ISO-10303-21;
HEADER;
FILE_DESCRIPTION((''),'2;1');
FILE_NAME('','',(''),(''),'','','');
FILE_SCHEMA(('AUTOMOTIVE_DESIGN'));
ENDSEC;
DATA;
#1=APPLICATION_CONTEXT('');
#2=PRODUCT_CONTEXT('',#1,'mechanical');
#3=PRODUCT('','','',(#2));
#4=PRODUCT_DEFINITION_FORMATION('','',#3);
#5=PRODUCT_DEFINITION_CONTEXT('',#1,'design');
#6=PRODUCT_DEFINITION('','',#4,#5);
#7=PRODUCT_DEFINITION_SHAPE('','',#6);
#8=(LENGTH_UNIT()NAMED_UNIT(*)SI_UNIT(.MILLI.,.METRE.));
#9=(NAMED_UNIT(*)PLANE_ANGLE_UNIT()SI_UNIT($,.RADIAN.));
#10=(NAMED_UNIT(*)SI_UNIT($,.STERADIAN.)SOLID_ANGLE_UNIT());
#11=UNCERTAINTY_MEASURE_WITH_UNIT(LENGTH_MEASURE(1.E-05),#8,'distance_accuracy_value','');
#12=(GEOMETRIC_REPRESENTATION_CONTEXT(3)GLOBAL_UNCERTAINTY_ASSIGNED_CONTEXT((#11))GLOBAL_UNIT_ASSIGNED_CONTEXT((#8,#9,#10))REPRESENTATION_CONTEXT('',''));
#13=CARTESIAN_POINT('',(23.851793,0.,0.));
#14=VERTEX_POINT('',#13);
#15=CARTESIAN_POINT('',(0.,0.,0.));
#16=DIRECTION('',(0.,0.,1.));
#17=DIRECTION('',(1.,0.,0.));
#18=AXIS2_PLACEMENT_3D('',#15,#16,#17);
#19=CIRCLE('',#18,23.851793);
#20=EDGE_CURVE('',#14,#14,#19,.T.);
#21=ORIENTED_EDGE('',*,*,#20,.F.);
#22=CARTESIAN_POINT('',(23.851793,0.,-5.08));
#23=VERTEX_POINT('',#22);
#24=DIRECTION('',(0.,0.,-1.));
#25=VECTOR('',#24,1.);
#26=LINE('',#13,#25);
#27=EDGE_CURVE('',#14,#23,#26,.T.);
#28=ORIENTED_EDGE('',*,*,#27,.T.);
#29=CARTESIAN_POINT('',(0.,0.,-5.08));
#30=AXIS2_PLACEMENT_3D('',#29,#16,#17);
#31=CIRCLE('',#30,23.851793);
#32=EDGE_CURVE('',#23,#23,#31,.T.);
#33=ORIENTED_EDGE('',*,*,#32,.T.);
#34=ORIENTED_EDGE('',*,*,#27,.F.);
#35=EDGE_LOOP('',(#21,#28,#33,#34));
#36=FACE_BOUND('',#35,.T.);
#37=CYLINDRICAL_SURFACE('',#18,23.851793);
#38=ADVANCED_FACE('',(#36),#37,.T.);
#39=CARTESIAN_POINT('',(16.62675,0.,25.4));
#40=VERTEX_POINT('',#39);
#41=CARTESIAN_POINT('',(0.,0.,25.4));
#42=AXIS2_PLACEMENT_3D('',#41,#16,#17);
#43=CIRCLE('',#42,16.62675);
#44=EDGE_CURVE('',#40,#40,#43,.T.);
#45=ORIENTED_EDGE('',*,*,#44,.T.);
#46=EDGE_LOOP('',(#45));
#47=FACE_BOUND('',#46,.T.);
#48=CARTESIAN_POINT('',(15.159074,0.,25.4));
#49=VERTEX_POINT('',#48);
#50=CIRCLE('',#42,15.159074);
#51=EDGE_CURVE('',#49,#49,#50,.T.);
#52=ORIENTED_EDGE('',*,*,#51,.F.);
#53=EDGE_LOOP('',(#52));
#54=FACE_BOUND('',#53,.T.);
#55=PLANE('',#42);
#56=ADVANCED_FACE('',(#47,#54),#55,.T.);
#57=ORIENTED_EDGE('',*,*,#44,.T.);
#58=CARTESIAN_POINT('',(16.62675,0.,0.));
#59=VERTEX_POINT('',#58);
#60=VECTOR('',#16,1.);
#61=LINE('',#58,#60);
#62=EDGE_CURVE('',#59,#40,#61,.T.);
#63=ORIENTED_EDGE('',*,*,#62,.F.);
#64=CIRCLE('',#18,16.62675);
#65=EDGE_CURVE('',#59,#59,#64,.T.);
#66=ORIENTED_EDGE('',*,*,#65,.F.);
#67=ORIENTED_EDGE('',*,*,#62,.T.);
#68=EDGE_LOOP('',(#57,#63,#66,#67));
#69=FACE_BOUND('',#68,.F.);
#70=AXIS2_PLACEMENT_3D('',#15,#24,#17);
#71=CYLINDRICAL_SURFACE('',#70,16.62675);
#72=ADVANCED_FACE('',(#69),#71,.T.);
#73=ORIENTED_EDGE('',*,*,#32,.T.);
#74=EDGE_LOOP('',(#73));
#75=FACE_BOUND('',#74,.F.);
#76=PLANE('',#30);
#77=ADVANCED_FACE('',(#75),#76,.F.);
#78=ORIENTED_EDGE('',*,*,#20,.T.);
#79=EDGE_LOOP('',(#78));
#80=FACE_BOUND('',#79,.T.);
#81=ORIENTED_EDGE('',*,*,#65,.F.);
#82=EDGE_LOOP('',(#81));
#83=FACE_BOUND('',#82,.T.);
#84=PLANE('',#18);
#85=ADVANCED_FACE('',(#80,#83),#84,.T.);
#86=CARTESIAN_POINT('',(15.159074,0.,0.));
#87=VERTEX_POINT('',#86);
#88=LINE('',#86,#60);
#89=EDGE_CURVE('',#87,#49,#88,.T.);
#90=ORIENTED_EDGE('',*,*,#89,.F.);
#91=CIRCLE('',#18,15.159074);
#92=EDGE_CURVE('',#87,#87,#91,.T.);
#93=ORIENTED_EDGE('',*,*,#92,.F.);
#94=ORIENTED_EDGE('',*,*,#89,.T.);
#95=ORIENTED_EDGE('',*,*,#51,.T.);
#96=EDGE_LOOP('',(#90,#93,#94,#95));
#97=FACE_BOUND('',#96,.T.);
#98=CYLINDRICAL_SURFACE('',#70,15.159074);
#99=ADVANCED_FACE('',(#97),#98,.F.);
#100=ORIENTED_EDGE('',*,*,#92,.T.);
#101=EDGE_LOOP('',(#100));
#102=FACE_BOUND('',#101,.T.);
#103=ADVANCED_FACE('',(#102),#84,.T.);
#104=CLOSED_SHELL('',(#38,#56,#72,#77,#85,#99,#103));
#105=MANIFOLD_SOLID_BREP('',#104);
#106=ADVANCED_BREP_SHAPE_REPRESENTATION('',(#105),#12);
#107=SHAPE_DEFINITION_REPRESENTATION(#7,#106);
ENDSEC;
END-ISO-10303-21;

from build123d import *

# Parameters (mm, degrees)
F0_R     = 16.62675
F0_R_2   = 15.159074
F1_DEPTH = 25.4
F2_R     = 23.851793
F3_DEPTH = 5.08


with BuildPart() as f1:
    # F0 (on Top) → F1 (new body)
    with BuildSketch(Plane.XY):
        Circle(F0_R)
        Circle(F0_R_2, mode=Mode.SUBTRACT)
    extrude(amount=F1_DEPTH)

    # F2 (on Top) → F3 (join)
    with BuildSketch(Plane.XY):
        Circle(F2_R)
    extrude(amount=-F3_DEPTH)


solid = f1.part
